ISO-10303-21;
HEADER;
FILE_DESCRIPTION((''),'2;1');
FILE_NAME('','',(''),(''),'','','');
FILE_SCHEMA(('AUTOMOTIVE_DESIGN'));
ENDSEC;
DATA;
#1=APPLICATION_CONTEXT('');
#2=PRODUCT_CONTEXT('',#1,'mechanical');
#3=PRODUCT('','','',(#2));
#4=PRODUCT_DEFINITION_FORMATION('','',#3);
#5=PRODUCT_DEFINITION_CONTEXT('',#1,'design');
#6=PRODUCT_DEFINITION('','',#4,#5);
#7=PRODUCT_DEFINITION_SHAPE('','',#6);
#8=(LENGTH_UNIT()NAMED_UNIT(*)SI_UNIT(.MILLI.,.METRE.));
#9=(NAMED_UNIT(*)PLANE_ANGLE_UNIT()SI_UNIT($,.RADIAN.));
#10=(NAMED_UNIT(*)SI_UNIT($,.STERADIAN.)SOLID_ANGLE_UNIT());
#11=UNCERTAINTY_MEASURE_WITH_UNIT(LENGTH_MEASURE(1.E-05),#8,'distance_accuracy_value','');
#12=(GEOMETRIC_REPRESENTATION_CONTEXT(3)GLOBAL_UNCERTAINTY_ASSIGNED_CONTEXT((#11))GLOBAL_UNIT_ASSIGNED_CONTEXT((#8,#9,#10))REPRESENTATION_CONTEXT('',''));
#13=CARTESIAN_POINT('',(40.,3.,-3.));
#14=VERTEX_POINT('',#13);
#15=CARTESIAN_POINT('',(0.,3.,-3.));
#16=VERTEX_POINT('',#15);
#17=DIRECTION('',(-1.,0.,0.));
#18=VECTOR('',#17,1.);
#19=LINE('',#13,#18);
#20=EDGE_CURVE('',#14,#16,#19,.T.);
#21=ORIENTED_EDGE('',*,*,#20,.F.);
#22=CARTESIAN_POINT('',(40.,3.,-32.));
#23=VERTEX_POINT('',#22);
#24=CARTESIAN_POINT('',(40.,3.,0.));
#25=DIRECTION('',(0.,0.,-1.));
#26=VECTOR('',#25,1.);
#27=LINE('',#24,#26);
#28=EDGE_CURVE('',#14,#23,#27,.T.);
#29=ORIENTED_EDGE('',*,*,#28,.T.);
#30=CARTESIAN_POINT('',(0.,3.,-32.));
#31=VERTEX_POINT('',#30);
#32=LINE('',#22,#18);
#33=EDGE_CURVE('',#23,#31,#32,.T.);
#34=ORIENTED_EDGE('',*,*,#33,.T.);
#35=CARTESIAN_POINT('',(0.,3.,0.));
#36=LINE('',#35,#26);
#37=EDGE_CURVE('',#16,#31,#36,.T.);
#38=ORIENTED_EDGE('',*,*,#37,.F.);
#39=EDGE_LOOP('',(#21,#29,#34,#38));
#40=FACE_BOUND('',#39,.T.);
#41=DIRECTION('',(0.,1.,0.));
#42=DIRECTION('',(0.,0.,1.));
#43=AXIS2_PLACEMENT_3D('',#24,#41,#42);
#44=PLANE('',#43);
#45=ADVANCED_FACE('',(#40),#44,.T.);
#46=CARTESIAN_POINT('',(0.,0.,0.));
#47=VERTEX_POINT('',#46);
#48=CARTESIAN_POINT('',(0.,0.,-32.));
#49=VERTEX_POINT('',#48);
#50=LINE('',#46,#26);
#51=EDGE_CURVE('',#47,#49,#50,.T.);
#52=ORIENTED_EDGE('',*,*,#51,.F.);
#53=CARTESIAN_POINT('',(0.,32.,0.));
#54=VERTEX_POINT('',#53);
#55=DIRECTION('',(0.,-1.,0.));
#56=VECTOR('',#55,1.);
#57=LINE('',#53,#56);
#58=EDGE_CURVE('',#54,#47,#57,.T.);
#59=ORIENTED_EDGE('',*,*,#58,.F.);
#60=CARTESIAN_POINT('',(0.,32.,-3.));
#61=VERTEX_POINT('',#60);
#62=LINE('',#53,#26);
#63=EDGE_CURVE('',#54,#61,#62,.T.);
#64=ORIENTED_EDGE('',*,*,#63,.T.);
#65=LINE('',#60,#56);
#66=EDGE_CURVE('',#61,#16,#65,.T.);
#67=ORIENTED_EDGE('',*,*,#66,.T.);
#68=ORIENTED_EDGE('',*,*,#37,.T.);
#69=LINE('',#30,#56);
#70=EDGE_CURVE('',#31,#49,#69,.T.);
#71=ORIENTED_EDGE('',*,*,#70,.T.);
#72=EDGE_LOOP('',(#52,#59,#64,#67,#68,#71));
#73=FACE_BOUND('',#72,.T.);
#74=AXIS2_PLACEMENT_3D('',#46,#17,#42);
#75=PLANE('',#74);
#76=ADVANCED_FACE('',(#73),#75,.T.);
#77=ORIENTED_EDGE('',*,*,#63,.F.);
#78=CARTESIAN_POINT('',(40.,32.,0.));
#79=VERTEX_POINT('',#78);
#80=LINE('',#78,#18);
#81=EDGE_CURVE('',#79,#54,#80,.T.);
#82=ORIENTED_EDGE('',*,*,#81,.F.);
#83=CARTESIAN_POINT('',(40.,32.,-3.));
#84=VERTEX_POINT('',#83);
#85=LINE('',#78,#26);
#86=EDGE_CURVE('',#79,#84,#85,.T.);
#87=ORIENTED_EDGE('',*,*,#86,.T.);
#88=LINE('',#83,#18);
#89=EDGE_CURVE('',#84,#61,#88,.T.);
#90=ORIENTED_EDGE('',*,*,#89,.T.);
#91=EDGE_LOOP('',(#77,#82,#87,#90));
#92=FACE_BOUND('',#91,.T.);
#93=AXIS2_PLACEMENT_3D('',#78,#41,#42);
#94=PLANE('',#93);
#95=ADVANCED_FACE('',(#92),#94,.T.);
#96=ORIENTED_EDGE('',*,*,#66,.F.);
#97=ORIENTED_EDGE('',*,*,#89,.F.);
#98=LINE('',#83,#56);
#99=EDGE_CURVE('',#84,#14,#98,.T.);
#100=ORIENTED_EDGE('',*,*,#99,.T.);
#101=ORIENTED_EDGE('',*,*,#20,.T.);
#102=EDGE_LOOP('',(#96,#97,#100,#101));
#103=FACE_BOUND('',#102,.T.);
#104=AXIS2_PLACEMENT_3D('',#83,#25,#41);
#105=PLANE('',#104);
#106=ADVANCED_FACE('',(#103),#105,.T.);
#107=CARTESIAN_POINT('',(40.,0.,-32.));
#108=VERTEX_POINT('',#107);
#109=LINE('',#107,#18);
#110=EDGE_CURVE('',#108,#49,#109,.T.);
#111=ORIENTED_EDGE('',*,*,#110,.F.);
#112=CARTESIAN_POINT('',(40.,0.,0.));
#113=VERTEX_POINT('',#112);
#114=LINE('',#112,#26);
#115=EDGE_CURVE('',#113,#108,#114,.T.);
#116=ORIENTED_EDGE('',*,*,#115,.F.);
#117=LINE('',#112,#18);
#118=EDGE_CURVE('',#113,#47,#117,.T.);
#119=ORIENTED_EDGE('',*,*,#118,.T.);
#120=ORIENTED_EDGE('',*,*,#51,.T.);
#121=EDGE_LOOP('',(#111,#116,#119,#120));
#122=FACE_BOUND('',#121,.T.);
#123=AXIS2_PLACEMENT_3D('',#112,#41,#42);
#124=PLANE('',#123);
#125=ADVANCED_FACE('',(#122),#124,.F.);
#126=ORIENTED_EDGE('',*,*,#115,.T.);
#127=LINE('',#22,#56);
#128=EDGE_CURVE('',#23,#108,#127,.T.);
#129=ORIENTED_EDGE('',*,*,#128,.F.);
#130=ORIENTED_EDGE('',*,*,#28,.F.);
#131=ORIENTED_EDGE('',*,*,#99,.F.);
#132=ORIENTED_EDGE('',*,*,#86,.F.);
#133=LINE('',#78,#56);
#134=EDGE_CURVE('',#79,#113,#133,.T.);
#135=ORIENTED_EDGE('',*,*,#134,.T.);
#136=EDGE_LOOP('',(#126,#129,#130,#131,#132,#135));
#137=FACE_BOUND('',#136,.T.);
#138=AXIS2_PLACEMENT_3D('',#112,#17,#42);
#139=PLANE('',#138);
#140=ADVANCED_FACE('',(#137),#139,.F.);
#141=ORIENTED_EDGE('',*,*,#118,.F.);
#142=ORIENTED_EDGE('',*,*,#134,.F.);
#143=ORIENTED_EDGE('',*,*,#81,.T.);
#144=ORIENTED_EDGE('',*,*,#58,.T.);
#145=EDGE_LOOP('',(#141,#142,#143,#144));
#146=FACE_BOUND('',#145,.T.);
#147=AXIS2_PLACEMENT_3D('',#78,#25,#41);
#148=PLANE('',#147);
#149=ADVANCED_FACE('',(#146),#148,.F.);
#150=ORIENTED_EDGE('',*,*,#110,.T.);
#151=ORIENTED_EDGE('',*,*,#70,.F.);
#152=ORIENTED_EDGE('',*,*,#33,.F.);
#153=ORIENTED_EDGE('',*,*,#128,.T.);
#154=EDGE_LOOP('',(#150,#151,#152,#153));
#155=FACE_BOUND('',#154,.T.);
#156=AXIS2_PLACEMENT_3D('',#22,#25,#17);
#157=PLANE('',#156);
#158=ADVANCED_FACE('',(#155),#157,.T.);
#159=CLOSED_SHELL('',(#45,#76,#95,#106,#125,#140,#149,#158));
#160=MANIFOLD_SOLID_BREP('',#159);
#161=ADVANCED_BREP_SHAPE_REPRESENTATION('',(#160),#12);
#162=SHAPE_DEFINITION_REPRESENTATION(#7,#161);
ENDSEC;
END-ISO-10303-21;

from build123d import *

# Parameters (mm, degrees)
EXTRUDE_1_DEPTH = 40


with BuildPart() as part:
    # Эскиз1 → Вытянуть-Тонкостенный1 (new body)
    with BuildSketch(Plane(origin=(0, 0, 0), x_dir=(0, 0, -1), z_dir=(1, 0, 0))):
        Polygon((0, 32), (0, 0), (32, 0), (32, 3), (3, 3), (3, 32), align=None)
    extrude(amount=EXTRUDE_1_DEPTH)


solid = part.part
